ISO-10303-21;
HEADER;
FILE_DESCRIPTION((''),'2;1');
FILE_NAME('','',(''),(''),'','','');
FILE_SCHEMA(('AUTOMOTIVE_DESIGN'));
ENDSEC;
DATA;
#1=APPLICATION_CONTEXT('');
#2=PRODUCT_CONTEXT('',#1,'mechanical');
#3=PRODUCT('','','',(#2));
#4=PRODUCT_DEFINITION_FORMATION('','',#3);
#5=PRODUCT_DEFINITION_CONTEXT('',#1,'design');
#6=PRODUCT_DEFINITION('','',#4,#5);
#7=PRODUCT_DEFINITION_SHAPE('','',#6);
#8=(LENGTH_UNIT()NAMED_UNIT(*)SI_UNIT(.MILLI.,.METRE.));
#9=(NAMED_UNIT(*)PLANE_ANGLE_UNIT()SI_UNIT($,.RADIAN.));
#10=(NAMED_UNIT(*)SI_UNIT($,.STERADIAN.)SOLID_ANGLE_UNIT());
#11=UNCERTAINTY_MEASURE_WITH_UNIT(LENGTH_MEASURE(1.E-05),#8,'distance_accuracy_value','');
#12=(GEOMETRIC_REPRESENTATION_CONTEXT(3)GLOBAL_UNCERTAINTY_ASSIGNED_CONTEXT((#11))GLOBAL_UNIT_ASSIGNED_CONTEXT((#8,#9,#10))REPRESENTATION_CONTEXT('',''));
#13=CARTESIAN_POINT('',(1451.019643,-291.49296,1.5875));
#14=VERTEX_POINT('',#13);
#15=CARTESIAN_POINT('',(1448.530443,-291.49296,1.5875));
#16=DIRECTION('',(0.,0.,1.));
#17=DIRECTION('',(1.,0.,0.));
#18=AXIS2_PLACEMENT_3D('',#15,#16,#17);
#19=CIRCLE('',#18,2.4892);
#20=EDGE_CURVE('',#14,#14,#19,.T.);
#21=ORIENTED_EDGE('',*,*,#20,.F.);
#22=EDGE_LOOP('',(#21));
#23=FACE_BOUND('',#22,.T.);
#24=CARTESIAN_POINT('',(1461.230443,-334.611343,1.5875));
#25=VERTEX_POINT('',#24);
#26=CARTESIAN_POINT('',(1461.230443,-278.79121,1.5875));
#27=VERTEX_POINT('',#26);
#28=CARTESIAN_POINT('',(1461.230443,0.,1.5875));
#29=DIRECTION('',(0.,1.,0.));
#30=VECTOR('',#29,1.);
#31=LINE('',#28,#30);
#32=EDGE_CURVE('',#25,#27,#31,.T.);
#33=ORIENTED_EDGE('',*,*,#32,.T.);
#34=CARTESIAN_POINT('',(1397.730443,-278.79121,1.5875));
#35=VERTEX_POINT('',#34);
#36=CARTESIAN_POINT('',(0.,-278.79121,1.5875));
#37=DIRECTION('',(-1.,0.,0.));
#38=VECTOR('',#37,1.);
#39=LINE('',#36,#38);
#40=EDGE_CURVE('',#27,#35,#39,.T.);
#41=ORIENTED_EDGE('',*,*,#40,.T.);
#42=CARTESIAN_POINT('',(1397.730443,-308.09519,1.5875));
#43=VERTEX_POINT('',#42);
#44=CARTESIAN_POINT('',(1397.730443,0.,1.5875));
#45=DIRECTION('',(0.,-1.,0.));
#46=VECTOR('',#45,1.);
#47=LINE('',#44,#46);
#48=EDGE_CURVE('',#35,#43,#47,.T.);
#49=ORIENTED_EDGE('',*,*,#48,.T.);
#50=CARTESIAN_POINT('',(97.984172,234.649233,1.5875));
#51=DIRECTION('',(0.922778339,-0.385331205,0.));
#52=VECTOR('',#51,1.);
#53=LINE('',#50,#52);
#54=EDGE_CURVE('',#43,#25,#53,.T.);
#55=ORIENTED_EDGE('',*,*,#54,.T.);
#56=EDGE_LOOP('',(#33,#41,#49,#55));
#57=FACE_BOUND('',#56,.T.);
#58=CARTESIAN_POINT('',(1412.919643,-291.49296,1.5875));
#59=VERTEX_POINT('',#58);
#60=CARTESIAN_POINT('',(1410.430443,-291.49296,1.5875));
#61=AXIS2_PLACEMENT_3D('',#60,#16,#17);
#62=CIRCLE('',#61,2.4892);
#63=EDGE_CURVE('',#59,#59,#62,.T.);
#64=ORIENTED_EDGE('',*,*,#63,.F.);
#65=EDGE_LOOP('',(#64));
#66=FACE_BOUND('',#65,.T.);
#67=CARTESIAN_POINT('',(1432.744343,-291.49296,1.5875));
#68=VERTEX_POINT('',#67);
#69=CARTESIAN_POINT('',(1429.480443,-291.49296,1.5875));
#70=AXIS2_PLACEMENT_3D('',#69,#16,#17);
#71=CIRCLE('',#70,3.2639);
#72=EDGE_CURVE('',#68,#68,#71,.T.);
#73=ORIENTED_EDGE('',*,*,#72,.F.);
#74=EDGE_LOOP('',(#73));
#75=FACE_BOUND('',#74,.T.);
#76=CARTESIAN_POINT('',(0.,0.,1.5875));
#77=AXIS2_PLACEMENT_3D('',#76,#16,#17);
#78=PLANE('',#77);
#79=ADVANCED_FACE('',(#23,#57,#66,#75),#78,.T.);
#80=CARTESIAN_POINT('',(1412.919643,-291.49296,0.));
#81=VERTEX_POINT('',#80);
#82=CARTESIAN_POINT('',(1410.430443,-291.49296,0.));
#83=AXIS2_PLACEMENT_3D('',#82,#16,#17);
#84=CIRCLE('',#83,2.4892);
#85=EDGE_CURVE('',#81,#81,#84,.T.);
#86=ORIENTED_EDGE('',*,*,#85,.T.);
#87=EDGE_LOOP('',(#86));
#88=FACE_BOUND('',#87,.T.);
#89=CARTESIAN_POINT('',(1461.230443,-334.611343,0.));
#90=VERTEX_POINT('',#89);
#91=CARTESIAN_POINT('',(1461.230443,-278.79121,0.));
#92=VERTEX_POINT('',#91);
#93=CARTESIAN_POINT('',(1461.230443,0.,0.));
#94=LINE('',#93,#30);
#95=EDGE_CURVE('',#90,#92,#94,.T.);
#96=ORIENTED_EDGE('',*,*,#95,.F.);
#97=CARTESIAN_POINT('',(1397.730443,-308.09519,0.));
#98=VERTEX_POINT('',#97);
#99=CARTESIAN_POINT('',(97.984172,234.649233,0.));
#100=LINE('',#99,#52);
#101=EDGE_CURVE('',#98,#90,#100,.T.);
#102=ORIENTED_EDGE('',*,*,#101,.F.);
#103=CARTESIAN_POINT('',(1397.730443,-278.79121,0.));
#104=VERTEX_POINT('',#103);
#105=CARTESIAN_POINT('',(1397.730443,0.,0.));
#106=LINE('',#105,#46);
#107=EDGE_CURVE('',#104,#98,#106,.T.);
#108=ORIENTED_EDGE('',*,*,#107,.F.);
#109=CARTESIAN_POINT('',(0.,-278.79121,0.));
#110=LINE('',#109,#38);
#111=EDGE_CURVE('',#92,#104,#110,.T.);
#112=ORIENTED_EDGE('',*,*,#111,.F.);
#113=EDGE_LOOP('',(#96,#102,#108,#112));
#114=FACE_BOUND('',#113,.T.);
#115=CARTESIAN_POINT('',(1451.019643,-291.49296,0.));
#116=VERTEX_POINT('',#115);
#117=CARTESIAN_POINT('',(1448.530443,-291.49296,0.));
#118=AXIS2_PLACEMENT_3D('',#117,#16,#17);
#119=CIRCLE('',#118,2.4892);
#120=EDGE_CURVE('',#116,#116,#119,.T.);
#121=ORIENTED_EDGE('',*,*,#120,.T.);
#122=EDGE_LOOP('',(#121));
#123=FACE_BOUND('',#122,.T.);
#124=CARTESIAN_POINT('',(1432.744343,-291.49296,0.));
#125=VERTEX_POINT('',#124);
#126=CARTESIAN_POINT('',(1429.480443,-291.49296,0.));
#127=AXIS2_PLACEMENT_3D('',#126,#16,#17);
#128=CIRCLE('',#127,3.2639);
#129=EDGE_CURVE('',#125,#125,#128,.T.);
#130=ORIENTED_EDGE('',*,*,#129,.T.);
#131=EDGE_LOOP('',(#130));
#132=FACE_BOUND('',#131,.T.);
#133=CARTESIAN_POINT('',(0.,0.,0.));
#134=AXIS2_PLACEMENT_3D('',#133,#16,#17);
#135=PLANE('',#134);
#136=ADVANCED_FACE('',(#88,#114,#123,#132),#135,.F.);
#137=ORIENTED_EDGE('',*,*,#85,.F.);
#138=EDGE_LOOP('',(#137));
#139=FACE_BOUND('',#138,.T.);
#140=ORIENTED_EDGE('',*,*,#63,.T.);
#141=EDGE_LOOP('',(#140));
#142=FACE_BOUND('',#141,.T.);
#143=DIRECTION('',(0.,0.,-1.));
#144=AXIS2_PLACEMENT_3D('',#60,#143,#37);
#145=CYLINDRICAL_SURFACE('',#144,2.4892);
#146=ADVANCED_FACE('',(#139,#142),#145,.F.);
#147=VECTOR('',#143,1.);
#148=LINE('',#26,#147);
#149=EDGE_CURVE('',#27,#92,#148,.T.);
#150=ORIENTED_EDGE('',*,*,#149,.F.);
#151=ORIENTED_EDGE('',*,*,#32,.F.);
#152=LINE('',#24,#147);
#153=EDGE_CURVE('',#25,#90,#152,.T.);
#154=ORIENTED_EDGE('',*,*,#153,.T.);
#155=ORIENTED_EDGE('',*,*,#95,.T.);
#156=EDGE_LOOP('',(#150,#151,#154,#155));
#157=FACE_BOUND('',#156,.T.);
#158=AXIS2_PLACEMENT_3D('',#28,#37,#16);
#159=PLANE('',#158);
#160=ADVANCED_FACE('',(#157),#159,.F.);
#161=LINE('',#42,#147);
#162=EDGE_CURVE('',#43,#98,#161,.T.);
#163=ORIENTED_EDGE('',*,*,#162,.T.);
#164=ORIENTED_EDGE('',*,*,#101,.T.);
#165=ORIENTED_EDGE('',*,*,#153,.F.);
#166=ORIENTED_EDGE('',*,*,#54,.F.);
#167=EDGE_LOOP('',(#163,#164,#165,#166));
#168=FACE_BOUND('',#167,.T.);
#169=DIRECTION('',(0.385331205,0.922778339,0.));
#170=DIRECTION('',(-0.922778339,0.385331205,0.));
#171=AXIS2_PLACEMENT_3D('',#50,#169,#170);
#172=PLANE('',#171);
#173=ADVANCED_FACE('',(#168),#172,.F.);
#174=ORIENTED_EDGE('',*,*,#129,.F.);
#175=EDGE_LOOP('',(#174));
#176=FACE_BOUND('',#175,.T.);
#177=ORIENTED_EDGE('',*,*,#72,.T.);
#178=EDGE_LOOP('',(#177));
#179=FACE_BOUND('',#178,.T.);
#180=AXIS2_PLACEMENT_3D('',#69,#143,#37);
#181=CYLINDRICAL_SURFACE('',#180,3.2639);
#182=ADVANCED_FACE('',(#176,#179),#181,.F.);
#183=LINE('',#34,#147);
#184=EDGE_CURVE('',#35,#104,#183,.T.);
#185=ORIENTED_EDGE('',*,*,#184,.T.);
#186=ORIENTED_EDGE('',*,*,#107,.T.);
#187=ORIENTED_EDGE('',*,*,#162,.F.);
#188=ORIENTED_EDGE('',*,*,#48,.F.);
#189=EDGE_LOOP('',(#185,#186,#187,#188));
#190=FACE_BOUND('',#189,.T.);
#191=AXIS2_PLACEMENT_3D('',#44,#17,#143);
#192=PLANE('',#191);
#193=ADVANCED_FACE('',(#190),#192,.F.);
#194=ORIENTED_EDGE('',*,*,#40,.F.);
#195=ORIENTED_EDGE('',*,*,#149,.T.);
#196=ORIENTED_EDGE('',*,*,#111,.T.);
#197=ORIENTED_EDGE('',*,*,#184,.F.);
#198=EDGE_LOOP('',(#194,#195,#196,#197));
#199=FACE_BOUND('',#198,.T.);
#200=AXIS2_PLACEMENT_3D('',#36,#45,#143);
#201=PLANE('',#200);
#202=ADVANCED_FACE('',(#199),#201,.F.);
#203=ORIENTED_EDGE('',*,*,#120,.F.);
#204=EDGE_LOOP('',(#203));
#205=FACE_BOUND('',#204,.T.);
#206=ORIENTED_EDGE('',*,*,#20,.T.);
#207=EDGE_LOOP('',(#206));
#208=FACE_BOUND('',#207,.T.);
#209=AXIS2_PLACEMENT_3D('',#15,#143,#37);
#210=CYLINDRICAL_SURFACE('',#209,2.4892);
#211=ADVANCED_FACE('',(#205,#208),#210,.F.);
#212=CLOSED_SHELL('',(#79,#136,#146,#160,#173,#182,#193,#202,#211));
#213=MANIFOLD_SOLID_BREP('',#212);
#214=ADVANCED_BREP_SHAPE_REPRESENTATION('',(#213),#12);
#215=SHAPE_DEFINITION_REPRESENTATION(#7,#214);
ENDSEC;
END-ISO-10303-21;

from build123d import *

# Parameters (mm, degrees)
SKETCH1_R           = 2.4892
SKETCH1_R_2         = 3.2639
BOSS_EXTRUDE1_DEPTH = 1.5875


with BuildPart() as part:
    # Sketch1 → Boss-Extrude1 (new body)
    with BuildSketch(Plane.XY):
        Polygon((1461.230443341, -334.611342558), (1461.230443341, -278.791209664), (1397.730443341, -278.791209664), (1397.730443341, -308.095189664), align=None)
        with Locations((1410.430443341, -291.492960492)):
            Circle(SKETCH1_R, mode=Mode.SUBTRACT)
        with Locations((1448.530443341, -291.492960492)):
            Circle(SKETCH1_R, mode=Mode.SUBTRACT)
        with Locations((1429.480443341, -291.492960492)):
            Circle(SKETCH1_R_2, mode=Mode.SUBTRACT)
    extrude(amount=BOSS_EXTRUDE1_DEPTH)


solid = part.part
